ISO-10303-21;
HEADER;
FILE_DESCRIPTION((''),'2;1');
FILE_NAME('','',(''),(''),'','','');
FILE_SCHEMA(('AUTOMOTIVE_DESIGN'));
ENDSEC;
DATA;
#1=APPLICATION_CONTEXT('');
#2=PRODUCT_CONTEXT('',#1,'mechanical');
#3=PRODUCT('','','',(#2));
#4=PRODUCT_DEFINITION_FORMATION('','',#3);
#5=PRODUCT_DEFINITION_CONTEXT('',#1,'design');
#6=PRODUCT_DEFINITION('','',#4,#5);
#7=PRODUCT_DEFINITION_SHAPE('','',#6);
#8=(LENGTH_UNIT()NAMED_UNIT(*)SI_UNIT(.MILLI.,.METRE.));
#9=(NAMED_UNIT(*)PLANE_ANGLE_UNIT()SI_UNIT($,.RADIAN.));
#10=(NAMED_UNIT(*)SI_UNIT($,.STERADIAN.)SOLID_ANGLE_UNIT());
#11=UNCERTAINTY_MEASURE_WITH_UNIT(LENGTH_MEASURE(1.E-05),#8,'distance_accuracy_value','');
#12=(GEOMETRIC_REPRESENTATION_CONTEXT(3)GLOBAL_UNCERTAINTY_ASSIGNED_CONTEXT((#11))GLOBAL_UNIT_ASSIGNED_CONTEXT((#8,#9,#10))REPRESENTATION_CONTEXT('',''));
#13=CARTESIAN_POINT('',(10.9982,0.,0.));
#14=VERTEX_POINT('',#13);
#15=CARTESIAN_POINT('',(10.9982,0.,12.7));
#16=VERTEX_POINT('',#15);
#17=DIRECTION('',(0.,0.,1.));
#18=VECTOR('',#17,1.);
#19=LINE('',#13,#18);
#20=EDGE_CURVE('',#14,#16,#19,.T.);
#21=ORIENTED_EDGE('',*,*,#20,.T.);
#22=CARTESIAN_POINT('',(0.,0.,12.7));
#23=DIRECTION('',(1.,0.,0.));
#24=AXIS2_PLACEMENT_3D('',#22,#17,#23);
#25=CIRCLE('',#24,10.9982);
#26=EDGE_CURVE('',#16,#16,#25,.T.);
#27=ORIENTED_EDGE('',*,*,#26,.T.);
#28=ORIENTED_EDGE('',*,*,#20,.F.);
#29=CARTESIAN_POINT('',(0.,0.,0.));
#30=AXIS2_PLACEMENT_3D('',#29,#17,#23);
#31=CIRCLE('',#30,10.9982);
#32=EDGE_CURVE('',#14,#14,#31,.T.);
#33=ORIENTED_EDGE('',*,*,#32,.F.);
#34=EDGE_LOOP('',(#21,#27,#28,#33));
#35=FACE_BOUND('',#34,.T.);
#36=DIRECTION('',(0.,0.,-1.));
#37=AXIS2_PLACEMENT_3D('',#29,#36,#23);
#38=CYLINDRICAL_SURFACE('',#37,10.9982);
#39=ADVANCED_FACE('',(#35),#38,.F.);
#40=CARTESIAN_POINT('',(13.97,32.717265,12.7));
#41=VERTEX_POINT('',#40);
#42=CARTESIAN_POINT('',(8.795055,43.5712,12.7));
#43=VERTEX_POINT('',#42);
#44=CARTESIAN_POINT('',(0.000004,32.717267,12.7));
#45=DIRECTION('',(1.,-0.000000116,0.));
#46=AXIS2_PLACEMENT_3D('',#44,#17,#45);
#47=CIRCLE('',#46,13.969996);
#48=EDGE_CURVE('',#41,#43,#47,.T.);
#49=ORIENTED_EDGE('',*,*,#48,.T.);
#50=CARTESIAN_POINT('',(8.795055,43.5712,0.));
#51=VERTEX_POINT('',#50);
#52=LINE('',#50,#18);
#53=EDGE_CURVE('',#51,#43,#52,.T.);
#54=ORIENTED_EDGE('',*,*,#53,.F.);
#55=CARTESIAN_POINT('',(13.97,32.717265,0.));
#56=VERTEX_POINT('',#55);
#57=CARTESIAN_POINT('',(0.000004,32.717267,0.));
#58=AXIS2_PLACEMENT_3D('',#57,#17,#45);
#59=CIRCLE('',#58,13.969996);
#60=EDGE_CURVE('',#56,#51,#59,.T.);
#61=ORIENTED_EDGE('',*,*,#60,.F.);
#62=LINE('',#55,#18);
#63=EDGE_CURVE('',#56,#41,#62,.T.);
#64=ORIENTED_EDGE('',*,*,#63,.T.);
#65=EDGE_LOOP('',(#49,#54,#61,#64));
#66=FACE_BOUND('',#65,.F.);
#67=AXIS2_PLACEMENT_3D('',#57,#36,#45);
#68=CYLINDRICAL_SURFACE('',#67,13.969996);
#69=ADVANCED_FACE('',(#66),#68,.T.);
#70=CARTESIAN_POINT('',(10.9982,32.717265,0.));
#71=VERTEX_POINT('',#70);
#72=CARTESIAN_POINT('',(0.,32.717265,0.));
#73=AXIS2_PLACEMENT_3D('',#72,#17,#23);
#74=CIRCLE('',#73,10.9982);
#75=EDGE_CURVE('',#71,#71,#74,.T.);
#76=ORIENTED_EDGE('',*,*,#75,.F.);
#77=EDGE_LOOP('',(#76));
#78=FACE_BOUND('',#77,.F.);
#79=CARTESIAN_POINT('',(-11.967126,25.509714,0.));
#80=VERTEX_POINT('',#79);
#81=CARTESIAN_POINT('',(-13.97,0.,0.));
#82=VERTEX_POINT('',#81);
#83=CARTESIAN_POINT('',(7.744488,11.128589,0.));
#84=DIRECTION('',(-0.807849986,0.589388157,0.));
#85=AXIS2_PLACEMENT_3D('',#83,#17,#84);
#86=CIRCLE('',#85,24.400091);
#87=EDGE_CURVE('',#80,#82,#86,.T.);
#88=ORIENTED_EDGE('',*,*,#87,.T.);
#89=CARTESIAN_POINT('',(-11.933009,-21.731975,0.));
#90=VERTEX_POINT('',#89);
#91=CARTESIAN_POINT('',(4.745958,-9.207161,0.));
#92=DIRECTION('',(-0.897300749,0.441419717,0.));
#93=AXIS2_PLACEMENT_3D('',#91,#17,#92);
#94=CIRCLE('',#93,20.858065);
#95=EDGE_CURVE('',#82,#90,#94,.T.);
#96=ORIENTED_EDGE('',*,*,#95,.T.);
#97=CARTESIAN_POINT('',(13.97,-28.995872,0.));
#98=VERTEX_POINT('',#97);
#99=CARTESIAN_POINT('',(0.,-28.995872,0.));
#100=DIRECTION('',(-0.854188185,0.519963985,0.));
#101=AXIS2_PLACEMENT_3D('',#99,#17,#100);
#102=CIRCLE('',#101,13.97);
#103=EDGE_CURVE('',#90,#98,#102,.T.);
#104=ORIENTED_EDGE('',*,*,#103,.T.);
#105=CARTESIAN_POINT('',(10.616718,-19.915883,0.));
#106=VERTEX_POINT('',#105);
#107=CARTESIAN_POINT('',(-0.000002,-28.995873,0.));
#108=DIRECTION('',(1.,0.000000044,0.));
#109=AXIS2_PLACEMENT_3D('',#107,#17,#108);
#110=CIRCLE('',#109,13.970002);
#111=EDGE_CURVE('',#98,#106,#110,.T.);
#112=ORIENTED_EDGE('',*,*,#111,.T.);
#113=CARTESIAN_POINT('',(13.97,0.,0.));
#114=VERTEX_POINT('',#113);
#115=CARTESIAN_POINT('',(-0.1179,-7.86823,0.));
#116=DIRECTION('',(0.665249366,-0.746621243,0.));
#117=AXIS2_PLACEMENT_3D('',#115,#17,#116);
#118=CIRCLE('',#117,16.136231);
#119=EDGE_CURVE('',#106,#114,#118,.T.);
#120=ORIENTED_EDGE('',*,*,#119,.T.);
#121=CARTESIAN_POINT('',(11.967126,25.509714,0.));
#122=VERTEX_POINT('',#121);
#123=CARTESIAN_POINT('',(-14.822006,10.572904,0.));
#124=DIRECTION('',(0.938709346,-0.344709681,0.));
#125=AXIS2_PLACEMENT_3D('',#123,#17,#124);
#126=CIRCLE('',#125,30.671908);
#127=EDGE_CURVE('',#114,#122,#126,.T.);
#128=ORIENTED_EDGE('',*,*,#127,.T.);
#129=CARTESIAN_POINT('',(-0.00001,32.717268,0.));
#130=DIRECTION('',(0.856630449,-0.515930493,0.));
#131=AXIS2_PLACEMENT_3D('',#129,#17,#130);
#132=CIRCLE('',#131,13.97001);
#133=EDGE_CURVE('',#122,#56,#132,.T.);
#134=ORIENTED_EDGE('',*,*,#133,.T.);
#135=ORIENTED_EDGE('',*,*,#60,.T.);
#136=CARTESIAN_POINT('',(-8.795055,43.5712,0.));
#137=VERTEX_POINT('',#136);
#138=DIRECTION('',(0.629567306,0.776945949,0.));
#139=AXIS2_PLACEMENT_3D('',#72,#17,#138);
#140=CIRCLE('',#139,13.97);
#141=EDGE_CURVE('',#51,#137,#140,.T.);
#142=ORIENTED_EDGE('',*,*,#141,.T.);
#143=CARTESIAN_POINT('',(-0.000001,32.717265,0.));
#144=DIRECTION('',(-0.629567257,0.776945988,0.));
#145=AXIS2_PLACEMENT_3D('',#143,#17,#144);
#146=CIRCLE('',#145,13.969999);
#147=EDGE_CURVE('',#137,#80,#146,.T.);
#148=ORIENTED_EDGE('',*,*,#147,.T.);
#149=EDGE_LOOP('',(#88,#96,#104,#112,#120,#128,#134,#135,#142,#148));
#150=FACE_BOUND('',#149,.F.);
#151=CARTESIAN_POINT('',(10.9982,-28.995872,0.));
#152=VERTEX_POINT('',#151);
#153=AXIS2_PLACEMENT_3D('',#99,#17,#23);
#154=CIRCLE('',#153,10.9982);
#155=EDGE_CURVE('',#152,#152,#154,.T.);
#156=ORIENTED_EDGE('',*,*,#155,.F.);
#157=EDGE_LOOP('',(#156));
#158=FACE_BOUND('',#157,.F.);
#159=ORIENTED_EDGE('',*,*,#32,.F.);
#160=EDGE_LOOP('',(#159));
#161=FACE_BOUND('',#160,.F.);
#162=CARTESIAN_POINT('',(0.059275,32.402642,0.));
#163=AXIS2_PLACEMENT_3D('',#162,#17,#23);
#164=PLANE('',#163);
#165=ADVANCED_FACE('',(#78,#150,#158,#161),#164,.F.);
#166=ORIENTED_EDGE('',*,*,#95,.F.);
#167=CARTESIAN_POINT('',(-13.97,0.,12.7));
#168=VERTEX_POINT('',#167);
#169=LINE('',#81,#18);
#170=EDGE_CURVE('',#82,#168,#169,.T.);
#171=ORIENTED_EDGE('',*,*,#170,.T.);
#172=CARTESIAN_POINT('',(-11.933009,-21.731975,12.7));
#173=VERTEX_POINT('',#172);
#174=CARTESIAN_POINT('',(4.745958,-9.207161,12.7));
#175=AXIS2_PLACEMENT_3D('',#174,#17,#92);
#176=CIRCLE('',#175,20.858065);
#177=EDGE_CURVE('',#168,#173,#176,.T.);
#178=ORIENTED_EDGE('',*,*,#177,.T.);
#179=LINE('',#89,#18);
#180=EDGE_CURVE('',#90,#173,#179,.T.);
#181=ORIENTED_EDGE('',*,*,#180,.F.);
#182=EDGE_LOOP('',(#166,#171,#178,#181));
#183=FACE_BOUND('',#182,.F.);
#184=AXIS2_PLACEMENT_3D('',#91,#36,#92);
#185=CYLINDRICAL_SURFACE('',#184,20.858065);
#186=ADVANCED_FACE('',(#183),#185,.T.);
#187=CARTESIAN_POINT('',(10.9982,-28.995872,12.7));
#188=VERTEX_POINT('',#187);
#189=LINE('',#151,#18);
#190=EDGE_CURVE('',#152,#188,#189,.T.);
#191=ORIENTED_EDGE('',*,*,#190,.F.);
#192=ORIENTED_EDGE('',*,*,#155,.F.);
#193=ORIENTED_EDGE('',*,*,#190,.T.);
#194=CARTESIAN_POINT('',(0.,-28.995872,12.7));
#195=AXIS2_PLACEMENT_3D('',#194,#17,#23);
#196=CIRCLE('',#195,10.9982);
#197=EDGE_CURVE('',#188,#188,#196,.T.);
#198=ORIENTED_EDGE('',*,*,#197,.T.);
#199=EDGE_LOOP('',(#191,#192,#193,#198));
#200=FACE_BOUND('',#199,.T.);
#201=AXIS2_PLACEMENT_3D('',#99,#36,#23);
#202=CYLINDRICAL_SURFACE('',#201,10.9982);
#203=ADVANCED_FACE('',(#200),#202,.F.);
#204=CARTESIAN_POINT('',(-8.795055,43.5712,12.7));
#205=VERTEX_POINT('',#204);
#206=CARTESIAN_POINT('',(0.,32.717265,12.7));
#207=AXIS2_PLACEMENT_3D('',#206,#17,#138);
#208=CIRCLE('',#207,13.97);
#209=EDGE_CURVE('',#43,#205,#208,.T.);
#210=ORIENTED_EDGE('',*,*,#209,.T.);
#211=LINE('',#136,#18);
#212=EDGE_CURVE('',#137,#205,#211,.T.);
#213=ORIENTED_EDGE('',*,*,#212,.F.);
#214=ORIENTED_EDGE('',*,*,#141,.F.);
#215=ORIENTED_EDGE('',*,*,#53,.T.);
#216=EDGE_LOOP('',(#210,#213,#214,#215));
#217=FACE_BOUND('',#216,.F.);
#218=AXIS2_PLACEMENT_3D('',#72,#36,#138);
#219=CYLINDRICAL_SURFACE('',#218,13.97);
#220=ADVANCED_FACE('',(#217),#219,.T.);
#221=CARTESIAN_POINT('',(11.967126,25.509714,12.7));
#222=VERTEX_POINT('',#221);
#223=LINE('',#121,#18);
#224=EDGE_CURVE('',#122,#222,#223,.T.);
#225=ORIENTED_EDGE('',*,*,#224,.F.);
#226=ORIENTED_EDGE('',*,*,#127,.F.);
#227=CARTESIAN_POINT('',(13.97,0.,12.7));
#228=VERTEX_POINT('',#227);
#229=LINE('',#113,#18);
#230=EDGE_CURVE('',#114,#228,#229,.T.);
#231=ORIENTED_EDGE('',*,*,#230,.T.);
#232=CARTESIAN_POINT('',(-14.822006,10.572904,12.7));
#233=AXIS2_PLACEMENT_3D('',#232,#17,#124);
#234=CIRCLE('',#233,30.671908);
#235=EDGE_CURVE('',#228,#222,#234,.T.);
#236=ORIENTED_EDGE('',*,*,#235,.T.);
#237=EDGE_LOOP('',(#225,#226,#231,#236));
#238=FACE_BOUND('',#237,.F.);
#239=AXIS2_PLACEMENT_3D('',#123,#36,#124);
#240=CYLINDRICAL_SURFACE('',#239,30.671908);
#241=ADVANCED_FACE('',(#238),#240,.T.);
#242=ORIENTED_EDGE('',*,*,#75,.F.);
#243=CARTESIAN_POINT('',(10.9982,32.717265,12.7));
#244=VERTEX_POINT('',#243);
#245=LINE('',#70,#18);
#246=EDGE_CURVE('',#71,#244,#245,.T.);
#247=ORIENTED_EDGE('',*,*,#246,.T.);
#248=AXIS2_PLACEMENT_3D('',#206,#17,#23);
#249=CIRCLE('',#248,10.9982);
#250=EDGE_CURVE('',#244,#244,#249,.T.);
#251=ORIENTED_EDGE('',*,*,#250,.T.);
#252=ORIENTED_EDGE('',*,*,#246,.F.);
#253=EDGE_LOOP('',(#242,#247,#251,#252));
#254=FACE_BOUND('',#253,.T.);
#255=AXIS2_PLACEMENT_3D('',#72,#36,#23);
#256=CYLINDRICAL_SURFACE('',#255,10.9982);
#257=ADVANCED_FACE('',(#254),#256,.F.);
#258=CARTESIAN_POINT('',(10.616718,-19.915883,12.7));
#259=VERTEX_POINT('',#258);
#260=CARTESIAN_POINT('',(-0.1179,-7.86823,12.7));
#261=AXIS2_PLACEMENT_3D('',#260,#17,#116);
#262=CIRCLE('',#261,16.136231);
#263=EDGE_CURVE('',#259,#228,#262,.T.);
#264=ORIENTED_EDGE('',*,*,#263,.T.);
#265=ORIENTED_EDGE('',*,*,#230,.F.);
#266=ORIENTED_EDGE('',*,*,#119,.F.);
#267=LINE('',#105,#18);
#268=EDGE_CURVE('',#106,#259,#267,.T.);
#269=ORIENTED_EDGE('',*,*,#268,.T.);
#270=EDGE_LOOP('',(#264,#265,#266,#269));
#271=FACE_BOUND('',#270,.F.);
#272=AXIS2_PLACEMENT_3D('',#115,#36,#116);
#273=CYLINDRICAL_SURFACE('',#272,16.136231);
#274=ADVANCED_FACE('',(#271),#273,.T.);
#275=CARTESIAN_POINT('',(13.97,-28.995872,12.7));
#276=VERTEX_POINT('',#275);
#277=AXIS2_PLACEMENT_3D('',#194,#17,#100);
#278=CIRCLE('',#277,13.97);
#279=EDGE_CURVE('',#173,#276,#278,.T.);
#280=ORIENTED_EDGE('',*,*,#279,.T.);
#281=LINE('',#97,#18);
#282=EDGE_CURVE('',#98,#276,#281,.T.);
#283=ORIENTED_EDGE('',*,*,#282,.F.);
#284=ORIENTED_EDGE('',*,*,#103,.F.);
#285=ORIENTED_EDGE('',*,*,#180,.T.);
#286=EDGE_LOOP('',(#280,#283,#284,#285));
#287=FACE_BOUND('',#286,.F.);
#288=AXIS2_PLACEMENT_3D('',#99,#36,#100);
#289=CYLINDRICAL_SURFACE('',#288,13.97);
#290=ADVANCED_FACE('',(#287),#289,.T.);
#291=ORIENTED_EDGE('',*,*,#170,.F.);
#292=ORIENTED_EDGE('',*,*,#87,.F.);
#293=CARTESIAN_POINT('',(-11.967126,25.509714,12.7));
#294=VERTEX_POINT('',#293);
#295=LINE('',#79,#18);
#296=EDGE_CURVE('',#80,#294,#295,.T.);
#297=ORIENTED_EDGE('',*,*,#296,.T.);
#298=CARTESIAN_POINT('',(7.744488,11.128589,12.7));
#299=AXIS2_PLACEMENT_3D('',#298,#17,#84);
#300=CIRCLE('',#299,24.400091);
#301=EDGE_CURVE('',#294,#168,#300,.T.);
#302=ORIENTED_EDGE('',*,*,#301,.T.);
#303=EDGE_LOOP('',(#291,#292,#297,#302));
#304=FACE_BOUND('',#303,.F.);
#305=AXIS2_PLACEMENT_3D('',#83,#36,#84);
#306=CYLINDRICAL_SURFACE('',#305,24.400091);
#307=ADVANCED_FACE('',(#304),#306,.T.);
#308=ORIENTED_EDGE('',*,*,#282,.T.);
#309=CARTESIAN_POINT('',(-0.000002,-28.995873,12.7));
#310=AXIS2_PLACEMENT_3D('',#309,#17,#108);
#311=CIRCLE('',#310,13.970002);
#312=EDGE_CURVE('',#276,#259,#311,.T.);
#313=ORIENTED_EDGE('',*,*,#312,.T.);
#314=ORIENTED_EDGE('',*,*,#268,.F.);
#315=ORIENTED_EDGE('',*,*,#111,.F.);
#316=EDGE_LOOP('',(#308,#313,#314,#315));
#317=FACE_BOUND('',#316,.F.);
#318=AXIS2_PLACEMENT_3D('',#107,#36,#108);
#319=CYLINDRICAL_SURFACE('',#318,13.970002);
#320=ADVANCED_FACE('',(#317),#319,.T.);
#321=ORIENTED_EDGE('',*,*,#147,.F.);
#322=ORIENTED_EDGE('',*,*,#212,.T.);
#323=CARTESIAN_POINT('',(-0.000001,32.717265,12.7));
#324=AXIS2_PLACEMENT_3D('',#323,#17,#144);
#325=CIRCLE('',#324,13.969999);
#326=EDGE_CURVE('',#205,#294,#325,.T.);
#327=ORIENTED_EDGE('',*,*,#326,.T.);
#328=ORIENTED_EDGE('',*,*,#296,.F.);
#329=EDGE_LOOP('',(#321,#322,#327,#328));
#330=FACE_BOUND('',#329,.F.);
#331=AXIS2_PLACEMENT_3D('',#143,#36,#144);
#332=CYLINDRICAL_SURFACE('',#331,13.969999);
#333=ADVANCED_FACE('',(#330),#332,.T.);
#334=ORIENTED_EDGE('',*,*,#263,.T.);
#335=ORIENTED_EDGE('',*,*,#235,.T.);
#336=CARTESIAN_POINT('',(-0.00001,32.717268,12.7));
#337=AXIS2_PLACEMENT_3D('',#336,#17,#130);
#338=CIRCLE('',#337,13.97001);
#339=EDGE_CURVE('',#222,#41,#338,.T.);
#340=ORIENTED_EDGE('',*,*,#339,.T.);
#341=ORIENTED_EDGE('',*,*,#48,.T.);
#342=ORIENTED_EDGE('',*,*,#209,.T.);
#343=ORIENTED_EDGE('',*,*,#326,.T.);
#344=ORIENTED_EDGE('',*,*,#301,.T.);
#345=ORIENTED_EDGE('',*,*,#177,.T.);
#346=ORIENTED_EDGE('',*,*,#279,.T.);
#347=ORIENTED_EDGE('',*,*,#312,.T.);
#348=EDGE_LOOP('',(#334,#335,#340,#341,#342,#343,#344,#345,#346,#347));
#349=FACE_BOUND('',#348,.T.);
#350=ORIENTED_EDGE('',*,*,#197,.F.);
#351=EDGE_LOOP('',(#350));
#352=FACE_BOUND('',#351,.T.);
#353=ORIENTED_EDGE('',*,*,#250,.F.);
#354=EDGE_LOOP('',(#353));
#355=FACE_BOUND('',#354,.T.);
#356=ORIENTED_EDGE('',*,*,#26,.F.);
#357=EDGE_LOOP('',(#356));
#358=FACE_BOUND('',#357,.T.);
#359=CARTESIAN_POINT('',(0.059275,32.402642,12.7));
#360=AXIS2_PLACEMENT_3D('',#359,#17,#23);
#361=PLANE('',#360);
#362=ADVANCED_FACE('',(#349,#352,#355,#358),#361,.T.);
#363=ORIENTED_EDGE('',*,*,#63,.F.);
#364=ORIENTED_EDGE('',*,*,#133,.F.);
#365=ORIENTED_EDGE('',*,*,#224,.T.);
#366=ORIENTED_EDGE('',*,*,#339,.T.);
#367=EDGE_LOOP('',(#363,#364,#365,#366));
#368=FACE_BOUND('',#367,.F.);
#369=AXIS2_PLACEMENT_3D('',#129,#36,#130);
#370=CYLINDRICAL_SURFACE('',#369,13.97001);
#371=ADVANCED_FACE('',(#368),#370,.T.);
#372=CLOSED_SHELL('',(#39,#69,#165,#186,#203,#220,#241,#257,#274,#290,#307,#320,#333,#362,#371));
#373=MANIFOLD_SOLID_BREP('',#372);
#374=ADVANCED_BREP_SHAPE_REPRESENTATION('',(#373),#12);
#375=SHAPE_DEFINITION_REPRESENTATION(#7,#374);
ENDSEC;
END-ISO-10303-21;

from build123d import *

# Parameters (mm, degrees)
F0_R     = 10.9982
F1_DEPTH = 12.7


with BuildPart() as f1:
    # F0 (on Top) → F1 (new body)
    with BuildSketch(Plane.XY):
        with BuildLine():
            ThreePointArc((13.97, 32.717265), (12.610072, 38.729502), (8.795055, 43.5712))
            ThreePointArc((8.795055, 43.5712), (0, 44.45), (-8.795055, 43.5712))
            ThreePointArc((-8.795055, 43.5712), (-13.75941, 35.133779), (-11.967126, 25.509714))
            ThreePointArc((-11.967126, 25.509714), (0, 18.747265), (11.967126, 25.509714))
            ThreePointArc((11.967126, 25.509714), (13.459971, 28.976935), (13.97, 32.717265))
        make_face()
        with Locations((0, 32.717265)):
            Circle(F0_R, mode=Mode.SUBTRACT)
        with BuildLine():
            ThreePointArc((-8.795055, 43.5712), (0, 44.45), (8.795055, 43.5712))
            ThreePointArc((8.795055, 43.5712), (0, 46.687265), (-8.795055, 43.5712))
        make_face()
        with BuildLine():
            ThreePointArc((13.97, 0), (0, 13.97), (-13.97, 0))
            ThreePointArc((-13.97, 0), (0, -13.97), (13.97, 0))
        make_face()
        Circle(F0_R, mode=Mode.SUBTRACT)
        with BuildLine():
            ThreePointArc((10.616718, -19.915883), (-1.121474, -15.070959), (-11.933009, -21.731975))
            ThreePointArc((-11.933009, -21.731975), (-3.772052, -42.446988), (13.97, -28.995872))
            ThreePointArc((13.97, -28.995872), (13.104893, -24.156174), (10.616718, -19.915883))
        make_face()
        with Locations((0, -28.995872)):
            Circle(F0_R, mode=Mode.SUBTRACT)
        with BuildLine():
            ThreePointArc((13.97, 0), (0, -13.97), (-13.97, 0))
            ThreePointArc((-13.97, 0), (-16.02108, -11.153706), (-11.933009, -21.731975))
            ThreePointArc((-11.933009, -21.731975), (-1.121474, -15.070959), (10.616718, -19.915883))
            ThreePointArc((10.616718, -19.915883), (15.794358, -10.547412), (13.97, 0))
        make_face()
        with BuildLine():
            ThreePointArc((11.967126, 25.509714), (0, 18.747265), (-11.967126, 25.509714))
            ThreePointArc((-11.967126, 25.509714), (-16.580743, 13.038464), (-13.97, 0))
            ThreePointArc((-13.97, 0), (0, 13.97), (13.97, 0))
            ThreePointArc((13.97, 0), (15.755798, 12.973695), (11.967126, 25.509714))
        make_face()
    extrude(amount=F1_DEPTH)


solid = f1.part
